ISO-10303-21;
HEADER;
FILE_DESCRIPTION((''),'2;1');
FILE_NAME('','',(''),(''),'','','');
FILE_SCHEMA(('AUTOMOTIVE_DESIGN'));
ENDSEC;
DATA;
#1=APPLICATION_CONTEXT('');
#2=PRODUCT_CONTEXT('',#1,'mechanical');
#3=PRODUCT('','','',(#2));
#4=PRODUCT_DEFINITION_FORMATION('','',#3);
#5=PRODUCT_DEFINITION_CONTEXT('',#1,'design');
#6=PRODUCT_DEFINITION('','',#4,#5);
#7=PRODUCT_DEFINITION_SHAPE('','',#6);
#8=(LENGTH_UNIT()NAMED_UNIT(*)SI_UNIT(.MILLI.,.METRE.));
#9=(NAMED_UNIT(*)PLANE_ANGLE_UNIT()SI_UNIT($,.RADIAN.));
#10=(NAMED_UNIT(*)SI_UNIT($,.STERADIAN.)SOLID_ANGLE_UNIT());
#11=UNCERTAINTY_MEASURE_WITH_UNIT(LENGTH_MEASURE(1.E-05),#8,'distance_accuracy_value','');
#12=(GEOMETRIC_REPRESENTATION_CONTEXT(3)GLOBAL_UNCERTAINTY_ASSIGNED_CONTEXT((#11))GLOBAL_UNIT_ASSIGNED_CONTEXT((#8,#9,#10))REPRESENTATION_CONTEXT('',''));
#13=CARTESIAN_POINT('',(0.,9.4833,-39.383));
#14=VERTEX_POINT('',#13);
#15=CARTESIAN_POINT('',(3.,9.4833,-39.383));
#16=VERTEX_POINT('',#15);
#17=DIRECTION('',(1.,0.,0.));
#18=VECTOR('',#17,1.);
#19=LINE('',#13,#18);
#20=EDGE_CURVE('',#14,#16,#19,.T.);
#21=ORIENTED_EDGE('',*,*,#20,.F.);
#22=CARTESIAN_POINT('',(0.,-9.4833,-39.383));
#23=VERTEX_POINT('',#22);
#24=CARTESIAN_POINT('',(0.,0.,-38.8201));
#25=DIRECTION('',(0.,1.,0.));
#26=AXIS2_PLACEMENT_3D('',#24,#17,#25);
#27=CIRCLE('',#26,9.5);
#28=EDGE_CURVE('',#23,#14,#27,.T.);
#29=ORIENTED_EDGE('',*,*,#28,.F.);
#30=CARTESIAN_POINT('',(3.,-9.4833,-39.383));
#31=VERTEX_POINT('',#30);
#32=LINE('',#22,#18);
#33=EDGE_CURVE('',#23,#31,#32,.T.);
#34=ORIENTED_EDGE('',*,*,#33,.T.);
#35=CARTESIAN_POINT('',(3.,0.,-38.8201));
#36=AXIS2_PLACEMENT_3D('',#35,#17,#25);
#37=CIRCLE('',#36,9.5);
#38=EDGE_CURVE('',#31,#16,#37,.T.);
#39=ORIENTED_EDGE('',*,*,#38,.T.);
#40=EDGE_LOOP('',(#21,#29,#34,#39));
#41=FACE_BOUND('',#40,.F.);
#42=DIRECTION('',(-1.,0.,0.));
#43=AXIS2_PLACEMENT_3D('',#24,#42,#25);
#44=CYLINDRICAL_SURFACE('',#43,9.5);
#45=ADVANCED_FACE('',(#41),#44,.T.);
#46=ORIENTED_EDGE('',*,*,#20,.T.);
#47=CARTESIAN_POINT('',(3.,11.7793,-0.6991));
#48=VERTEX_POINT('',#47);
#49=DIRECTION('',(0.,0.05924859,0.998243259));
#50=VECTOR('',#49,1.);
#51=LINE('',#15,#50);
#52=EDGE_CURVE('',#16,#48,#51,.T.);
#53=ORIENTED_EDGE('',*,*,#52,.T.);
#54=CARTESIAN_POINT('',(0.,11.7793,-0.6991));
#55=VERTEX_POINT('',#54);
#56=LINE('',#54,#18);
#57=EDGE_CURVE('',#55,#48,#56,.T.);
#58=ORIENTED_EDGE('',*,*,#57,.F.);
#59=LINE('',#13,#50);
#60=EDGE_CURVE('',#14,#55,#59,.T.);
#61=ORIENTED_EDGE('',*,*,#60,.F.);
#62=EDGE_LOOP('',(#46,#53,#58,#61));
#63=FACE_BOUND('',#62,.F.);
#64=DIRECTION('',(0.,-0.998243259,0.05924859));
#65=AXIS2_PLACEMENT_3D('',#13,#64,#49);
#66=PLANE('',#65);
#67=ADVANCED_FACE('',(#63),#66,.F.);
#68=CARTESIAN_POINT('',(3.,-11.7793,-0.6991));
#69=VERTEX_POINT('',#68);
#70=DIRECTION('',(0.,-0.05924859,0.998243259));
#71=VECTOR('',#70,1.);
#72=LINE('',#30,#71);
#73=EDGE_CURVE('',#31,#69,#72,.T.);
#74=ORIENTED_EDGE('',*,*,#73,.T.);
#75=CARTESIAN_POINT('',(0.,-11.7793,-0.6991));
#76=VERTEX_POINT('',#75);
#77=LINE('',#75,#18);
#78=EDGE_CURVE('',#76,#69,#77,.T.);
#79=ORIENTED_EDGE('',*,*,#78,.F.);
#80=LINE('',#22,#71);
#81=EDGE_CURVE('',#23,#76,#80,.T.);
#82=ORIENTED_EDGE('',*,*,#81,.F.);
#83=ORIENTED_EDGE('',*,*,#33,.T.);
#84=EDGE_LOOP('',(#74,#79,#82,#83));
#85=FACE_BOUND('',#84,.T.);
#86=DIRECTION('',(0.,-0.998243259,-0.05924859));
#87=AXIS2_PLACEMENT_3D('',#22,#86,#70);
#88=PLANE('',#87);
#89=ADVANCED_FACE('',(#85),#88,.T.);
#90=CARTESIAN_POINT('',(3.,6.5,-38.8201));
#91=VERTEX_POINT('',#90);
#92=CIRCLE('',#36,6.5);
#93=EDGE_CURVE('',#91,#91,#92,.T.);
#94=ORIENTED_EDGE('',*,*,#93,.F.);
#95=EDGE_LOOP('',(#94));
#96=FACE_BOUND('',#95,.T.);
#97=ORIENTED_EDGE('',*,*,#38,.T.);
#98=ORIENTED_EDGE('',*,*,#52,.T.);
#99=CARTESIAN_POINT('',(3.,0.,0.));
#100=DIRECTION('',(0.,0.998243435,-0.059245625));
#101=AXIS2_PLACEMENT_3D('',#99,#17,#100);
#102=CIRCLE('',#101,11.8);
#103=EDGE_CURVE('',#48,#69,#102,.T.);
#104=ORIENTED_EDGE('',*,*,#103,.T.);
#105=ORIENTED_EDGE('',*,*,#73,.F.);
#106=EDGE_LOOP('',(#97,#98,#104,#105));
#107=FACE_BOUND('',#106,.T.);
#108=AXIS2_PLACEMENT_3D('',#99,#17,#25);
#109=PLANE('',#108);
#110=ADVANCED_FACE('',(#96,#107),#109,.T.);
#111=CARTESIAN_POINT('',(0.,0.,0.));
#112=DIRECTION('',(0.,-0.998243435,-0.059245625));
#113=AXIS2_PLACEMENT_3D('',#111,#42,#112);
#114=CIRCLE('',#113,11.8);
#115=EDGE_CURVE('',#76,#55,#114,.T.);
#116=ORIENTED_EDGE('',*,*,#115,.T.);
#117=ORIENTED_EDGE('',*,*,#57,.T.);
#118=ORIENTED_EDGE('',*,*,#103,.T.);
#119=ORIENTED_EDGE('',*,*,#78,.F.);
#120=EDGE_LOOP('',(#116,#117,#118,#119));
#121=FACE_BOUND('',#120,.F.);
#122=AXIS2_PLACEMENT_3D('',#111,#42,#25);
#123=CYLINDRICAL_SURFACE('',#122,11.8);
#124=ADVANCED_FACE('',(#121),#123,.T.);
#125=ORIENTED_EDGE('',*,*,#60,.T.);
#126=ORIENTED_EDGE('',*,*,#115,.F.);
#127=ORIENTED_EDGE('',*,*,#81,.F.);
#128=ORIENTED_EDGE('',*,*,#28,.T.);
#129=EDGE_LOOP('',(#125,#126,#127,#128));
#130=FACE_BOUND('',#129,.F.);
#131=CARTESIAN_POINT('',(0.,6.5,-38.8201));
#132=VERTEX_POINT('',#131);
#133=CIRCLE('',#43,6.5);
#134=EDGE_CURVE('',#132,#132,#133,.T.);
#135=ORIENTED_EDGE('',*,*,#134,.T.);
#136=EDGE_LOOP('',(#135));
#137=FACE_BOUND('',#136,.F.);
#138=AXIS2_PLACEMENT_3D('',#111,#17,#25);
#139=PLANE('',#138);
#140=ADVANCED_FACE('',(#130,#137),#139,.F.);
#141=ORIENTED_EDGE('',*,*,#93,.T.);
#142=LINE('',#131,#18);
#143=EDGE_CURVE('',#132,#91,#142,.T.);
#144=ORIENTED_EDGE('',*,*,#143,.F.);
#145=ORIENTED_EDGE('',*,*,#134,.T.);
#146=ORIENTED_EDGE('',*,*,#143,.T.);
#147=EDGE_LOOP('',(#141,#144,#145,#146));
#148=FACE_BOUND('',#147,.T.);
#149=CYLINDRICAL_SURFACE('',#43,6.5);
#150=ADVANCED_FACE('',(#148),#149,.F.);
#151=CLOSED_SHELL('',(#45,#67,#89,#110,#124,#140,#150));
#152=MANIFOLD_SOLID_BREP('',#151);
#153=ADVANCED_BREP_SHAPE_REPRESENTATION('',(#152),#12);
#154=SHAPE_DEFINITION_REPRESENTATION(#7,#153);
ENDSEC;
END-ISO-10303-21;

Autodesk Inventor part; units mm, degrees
ref_plane "YZ Plane" through (0, 0, 0) normal (1, 0, 0) x (0, 1, 0)
ref_plane "XZ Plane" through (0, 0, 0) normal (0, 1, 0) x (-1, 0, 0)
ref_plane "XY Plane" through (0, 0, 0) normal (0, 0, 1) x (1, 0, 0)
sketch "Эскиз1" plane through (0, 0, 0) normal (1, 0, 0) x (0, 1, 0)
  circle A0 centre (35.2311, -22.6062) radius 9.3
  circle A1 centre (0, -38.8201) radius 6.1
  circle A2 centre (0, 0) radius 4.85
  circle A3 centre (35.8147, -49.5529) radius 3.55
  line L0 (6.0968, -38.6237) -> (4.8475, 0.1562)
  line L1 (-4.8475, 0.1562) -> (-6.0968, -38.6237)
  line L2 (0, 0) -> (0, -38.8201) construction
  circle A4 centre (0, -38.8201) radius 6.5
  circle A5 centre (0, 0) radius 2
  circle A6 centre (0, -38.8201) radius 15 construction
  circle A7 centre (0, 0) radius 14 construction
  circle A8 centre (0, -38.8201) radius 9.5
  circle A9 centre (0, 0) radius 7
  line L3 (9.4833, -39.383) -> (11.7793, -0.6991)
  line L4 (-9.4833, -39.383) -> (-11.7793, -0.6991)
  circle A10 centre (0, 0) radius 8.8
  circle A11 centre (0, 0) radius 11.8
  point P0 (-7, 0)
  point P1 (-9.4833, -39.383)
  point P2 (-11.7793, -0.6991)
  dimension "d27" = 19
  dimension "d0" = 18.6
  dimension "d1" = 12.2
  dimension "d2" = 9.7
  dimension "d3" = 7.1
  dimension "d8" = 38.8201
  dimension "d13" = 38.8
  dimension "d14" = 38.8
  dimension "d23" = 13
  dimension "d24" = 4
  dimension "d25" = 30
  dimension "d26" = 28
  dimension "d28" = 14
  dimension "d31" = 17.6
  dimension "d32" = 3
extrude "Выдавливание4" add sketch "Эскиз1" along normal blind 3 contours A4 L1 A8 L0 | L0 A8 L1 A4 | A8 L1 A11 L0 | L0 A11 L3 A8 | A8 L4 A11 L1 | A11 L1 A10 L0 | L0 A10 L1 A11 | A10 L1 A9 L0 | L0 A9 L1 A10 | A9 L1 A2 L0 | L0 A2 L1 A9 | A2 | A5
sketch "Эскиз4" plane through (0, 0, 0) normal (-1, 0, 0) x (0, 0, 1)
  circle A0 centre (-6.2, 6.2) radius 1.25
  circle A1 centre (-38.8201, 0) radius 6.5 construction
  arc A2 (-0.6991, -11.7793) -> (-0.6991, 11.7793) centre (0, 0) ccw construction
  line L0 (-39.383, 9.4833) -> (-0.6991, 11.7793) construction
  arc A3 (-39.383, 9.4833) -> (-39.383, -9.4833) centre (-38.8201, 0) ccw construction
  line L1 (-0.6991, -11.7793) -> (-39.383, -9.4833) construction
  line L2 (0, 0) -> (0, 11.8) construction
  arc A4 (-0.6991, -11.7793) -> (-0.6991, 11.7793) centre (0, 0) ccw construction
  line L3 (0, 0) -> (11.8, 0) construction
  circle A5 centre (6.2, 6.2) radius 1.25
  circle A6 centre (-6.2, -6.2) radius 1.25
  circle A7 centre (6.2, -6.2) radius 1.25
  dimension "d33" = 2.5
  dimension "d34" = 12.4
  dimension "d35" = 12.4
sketch "Эскиз5" plane through (3, 0, 0) normal (1, 0, 0) x (0, 0, -1)
  circle A0 centre (0, 0) radius 3.5
  dimension "d38" = 7
properties part number "left_wall"
